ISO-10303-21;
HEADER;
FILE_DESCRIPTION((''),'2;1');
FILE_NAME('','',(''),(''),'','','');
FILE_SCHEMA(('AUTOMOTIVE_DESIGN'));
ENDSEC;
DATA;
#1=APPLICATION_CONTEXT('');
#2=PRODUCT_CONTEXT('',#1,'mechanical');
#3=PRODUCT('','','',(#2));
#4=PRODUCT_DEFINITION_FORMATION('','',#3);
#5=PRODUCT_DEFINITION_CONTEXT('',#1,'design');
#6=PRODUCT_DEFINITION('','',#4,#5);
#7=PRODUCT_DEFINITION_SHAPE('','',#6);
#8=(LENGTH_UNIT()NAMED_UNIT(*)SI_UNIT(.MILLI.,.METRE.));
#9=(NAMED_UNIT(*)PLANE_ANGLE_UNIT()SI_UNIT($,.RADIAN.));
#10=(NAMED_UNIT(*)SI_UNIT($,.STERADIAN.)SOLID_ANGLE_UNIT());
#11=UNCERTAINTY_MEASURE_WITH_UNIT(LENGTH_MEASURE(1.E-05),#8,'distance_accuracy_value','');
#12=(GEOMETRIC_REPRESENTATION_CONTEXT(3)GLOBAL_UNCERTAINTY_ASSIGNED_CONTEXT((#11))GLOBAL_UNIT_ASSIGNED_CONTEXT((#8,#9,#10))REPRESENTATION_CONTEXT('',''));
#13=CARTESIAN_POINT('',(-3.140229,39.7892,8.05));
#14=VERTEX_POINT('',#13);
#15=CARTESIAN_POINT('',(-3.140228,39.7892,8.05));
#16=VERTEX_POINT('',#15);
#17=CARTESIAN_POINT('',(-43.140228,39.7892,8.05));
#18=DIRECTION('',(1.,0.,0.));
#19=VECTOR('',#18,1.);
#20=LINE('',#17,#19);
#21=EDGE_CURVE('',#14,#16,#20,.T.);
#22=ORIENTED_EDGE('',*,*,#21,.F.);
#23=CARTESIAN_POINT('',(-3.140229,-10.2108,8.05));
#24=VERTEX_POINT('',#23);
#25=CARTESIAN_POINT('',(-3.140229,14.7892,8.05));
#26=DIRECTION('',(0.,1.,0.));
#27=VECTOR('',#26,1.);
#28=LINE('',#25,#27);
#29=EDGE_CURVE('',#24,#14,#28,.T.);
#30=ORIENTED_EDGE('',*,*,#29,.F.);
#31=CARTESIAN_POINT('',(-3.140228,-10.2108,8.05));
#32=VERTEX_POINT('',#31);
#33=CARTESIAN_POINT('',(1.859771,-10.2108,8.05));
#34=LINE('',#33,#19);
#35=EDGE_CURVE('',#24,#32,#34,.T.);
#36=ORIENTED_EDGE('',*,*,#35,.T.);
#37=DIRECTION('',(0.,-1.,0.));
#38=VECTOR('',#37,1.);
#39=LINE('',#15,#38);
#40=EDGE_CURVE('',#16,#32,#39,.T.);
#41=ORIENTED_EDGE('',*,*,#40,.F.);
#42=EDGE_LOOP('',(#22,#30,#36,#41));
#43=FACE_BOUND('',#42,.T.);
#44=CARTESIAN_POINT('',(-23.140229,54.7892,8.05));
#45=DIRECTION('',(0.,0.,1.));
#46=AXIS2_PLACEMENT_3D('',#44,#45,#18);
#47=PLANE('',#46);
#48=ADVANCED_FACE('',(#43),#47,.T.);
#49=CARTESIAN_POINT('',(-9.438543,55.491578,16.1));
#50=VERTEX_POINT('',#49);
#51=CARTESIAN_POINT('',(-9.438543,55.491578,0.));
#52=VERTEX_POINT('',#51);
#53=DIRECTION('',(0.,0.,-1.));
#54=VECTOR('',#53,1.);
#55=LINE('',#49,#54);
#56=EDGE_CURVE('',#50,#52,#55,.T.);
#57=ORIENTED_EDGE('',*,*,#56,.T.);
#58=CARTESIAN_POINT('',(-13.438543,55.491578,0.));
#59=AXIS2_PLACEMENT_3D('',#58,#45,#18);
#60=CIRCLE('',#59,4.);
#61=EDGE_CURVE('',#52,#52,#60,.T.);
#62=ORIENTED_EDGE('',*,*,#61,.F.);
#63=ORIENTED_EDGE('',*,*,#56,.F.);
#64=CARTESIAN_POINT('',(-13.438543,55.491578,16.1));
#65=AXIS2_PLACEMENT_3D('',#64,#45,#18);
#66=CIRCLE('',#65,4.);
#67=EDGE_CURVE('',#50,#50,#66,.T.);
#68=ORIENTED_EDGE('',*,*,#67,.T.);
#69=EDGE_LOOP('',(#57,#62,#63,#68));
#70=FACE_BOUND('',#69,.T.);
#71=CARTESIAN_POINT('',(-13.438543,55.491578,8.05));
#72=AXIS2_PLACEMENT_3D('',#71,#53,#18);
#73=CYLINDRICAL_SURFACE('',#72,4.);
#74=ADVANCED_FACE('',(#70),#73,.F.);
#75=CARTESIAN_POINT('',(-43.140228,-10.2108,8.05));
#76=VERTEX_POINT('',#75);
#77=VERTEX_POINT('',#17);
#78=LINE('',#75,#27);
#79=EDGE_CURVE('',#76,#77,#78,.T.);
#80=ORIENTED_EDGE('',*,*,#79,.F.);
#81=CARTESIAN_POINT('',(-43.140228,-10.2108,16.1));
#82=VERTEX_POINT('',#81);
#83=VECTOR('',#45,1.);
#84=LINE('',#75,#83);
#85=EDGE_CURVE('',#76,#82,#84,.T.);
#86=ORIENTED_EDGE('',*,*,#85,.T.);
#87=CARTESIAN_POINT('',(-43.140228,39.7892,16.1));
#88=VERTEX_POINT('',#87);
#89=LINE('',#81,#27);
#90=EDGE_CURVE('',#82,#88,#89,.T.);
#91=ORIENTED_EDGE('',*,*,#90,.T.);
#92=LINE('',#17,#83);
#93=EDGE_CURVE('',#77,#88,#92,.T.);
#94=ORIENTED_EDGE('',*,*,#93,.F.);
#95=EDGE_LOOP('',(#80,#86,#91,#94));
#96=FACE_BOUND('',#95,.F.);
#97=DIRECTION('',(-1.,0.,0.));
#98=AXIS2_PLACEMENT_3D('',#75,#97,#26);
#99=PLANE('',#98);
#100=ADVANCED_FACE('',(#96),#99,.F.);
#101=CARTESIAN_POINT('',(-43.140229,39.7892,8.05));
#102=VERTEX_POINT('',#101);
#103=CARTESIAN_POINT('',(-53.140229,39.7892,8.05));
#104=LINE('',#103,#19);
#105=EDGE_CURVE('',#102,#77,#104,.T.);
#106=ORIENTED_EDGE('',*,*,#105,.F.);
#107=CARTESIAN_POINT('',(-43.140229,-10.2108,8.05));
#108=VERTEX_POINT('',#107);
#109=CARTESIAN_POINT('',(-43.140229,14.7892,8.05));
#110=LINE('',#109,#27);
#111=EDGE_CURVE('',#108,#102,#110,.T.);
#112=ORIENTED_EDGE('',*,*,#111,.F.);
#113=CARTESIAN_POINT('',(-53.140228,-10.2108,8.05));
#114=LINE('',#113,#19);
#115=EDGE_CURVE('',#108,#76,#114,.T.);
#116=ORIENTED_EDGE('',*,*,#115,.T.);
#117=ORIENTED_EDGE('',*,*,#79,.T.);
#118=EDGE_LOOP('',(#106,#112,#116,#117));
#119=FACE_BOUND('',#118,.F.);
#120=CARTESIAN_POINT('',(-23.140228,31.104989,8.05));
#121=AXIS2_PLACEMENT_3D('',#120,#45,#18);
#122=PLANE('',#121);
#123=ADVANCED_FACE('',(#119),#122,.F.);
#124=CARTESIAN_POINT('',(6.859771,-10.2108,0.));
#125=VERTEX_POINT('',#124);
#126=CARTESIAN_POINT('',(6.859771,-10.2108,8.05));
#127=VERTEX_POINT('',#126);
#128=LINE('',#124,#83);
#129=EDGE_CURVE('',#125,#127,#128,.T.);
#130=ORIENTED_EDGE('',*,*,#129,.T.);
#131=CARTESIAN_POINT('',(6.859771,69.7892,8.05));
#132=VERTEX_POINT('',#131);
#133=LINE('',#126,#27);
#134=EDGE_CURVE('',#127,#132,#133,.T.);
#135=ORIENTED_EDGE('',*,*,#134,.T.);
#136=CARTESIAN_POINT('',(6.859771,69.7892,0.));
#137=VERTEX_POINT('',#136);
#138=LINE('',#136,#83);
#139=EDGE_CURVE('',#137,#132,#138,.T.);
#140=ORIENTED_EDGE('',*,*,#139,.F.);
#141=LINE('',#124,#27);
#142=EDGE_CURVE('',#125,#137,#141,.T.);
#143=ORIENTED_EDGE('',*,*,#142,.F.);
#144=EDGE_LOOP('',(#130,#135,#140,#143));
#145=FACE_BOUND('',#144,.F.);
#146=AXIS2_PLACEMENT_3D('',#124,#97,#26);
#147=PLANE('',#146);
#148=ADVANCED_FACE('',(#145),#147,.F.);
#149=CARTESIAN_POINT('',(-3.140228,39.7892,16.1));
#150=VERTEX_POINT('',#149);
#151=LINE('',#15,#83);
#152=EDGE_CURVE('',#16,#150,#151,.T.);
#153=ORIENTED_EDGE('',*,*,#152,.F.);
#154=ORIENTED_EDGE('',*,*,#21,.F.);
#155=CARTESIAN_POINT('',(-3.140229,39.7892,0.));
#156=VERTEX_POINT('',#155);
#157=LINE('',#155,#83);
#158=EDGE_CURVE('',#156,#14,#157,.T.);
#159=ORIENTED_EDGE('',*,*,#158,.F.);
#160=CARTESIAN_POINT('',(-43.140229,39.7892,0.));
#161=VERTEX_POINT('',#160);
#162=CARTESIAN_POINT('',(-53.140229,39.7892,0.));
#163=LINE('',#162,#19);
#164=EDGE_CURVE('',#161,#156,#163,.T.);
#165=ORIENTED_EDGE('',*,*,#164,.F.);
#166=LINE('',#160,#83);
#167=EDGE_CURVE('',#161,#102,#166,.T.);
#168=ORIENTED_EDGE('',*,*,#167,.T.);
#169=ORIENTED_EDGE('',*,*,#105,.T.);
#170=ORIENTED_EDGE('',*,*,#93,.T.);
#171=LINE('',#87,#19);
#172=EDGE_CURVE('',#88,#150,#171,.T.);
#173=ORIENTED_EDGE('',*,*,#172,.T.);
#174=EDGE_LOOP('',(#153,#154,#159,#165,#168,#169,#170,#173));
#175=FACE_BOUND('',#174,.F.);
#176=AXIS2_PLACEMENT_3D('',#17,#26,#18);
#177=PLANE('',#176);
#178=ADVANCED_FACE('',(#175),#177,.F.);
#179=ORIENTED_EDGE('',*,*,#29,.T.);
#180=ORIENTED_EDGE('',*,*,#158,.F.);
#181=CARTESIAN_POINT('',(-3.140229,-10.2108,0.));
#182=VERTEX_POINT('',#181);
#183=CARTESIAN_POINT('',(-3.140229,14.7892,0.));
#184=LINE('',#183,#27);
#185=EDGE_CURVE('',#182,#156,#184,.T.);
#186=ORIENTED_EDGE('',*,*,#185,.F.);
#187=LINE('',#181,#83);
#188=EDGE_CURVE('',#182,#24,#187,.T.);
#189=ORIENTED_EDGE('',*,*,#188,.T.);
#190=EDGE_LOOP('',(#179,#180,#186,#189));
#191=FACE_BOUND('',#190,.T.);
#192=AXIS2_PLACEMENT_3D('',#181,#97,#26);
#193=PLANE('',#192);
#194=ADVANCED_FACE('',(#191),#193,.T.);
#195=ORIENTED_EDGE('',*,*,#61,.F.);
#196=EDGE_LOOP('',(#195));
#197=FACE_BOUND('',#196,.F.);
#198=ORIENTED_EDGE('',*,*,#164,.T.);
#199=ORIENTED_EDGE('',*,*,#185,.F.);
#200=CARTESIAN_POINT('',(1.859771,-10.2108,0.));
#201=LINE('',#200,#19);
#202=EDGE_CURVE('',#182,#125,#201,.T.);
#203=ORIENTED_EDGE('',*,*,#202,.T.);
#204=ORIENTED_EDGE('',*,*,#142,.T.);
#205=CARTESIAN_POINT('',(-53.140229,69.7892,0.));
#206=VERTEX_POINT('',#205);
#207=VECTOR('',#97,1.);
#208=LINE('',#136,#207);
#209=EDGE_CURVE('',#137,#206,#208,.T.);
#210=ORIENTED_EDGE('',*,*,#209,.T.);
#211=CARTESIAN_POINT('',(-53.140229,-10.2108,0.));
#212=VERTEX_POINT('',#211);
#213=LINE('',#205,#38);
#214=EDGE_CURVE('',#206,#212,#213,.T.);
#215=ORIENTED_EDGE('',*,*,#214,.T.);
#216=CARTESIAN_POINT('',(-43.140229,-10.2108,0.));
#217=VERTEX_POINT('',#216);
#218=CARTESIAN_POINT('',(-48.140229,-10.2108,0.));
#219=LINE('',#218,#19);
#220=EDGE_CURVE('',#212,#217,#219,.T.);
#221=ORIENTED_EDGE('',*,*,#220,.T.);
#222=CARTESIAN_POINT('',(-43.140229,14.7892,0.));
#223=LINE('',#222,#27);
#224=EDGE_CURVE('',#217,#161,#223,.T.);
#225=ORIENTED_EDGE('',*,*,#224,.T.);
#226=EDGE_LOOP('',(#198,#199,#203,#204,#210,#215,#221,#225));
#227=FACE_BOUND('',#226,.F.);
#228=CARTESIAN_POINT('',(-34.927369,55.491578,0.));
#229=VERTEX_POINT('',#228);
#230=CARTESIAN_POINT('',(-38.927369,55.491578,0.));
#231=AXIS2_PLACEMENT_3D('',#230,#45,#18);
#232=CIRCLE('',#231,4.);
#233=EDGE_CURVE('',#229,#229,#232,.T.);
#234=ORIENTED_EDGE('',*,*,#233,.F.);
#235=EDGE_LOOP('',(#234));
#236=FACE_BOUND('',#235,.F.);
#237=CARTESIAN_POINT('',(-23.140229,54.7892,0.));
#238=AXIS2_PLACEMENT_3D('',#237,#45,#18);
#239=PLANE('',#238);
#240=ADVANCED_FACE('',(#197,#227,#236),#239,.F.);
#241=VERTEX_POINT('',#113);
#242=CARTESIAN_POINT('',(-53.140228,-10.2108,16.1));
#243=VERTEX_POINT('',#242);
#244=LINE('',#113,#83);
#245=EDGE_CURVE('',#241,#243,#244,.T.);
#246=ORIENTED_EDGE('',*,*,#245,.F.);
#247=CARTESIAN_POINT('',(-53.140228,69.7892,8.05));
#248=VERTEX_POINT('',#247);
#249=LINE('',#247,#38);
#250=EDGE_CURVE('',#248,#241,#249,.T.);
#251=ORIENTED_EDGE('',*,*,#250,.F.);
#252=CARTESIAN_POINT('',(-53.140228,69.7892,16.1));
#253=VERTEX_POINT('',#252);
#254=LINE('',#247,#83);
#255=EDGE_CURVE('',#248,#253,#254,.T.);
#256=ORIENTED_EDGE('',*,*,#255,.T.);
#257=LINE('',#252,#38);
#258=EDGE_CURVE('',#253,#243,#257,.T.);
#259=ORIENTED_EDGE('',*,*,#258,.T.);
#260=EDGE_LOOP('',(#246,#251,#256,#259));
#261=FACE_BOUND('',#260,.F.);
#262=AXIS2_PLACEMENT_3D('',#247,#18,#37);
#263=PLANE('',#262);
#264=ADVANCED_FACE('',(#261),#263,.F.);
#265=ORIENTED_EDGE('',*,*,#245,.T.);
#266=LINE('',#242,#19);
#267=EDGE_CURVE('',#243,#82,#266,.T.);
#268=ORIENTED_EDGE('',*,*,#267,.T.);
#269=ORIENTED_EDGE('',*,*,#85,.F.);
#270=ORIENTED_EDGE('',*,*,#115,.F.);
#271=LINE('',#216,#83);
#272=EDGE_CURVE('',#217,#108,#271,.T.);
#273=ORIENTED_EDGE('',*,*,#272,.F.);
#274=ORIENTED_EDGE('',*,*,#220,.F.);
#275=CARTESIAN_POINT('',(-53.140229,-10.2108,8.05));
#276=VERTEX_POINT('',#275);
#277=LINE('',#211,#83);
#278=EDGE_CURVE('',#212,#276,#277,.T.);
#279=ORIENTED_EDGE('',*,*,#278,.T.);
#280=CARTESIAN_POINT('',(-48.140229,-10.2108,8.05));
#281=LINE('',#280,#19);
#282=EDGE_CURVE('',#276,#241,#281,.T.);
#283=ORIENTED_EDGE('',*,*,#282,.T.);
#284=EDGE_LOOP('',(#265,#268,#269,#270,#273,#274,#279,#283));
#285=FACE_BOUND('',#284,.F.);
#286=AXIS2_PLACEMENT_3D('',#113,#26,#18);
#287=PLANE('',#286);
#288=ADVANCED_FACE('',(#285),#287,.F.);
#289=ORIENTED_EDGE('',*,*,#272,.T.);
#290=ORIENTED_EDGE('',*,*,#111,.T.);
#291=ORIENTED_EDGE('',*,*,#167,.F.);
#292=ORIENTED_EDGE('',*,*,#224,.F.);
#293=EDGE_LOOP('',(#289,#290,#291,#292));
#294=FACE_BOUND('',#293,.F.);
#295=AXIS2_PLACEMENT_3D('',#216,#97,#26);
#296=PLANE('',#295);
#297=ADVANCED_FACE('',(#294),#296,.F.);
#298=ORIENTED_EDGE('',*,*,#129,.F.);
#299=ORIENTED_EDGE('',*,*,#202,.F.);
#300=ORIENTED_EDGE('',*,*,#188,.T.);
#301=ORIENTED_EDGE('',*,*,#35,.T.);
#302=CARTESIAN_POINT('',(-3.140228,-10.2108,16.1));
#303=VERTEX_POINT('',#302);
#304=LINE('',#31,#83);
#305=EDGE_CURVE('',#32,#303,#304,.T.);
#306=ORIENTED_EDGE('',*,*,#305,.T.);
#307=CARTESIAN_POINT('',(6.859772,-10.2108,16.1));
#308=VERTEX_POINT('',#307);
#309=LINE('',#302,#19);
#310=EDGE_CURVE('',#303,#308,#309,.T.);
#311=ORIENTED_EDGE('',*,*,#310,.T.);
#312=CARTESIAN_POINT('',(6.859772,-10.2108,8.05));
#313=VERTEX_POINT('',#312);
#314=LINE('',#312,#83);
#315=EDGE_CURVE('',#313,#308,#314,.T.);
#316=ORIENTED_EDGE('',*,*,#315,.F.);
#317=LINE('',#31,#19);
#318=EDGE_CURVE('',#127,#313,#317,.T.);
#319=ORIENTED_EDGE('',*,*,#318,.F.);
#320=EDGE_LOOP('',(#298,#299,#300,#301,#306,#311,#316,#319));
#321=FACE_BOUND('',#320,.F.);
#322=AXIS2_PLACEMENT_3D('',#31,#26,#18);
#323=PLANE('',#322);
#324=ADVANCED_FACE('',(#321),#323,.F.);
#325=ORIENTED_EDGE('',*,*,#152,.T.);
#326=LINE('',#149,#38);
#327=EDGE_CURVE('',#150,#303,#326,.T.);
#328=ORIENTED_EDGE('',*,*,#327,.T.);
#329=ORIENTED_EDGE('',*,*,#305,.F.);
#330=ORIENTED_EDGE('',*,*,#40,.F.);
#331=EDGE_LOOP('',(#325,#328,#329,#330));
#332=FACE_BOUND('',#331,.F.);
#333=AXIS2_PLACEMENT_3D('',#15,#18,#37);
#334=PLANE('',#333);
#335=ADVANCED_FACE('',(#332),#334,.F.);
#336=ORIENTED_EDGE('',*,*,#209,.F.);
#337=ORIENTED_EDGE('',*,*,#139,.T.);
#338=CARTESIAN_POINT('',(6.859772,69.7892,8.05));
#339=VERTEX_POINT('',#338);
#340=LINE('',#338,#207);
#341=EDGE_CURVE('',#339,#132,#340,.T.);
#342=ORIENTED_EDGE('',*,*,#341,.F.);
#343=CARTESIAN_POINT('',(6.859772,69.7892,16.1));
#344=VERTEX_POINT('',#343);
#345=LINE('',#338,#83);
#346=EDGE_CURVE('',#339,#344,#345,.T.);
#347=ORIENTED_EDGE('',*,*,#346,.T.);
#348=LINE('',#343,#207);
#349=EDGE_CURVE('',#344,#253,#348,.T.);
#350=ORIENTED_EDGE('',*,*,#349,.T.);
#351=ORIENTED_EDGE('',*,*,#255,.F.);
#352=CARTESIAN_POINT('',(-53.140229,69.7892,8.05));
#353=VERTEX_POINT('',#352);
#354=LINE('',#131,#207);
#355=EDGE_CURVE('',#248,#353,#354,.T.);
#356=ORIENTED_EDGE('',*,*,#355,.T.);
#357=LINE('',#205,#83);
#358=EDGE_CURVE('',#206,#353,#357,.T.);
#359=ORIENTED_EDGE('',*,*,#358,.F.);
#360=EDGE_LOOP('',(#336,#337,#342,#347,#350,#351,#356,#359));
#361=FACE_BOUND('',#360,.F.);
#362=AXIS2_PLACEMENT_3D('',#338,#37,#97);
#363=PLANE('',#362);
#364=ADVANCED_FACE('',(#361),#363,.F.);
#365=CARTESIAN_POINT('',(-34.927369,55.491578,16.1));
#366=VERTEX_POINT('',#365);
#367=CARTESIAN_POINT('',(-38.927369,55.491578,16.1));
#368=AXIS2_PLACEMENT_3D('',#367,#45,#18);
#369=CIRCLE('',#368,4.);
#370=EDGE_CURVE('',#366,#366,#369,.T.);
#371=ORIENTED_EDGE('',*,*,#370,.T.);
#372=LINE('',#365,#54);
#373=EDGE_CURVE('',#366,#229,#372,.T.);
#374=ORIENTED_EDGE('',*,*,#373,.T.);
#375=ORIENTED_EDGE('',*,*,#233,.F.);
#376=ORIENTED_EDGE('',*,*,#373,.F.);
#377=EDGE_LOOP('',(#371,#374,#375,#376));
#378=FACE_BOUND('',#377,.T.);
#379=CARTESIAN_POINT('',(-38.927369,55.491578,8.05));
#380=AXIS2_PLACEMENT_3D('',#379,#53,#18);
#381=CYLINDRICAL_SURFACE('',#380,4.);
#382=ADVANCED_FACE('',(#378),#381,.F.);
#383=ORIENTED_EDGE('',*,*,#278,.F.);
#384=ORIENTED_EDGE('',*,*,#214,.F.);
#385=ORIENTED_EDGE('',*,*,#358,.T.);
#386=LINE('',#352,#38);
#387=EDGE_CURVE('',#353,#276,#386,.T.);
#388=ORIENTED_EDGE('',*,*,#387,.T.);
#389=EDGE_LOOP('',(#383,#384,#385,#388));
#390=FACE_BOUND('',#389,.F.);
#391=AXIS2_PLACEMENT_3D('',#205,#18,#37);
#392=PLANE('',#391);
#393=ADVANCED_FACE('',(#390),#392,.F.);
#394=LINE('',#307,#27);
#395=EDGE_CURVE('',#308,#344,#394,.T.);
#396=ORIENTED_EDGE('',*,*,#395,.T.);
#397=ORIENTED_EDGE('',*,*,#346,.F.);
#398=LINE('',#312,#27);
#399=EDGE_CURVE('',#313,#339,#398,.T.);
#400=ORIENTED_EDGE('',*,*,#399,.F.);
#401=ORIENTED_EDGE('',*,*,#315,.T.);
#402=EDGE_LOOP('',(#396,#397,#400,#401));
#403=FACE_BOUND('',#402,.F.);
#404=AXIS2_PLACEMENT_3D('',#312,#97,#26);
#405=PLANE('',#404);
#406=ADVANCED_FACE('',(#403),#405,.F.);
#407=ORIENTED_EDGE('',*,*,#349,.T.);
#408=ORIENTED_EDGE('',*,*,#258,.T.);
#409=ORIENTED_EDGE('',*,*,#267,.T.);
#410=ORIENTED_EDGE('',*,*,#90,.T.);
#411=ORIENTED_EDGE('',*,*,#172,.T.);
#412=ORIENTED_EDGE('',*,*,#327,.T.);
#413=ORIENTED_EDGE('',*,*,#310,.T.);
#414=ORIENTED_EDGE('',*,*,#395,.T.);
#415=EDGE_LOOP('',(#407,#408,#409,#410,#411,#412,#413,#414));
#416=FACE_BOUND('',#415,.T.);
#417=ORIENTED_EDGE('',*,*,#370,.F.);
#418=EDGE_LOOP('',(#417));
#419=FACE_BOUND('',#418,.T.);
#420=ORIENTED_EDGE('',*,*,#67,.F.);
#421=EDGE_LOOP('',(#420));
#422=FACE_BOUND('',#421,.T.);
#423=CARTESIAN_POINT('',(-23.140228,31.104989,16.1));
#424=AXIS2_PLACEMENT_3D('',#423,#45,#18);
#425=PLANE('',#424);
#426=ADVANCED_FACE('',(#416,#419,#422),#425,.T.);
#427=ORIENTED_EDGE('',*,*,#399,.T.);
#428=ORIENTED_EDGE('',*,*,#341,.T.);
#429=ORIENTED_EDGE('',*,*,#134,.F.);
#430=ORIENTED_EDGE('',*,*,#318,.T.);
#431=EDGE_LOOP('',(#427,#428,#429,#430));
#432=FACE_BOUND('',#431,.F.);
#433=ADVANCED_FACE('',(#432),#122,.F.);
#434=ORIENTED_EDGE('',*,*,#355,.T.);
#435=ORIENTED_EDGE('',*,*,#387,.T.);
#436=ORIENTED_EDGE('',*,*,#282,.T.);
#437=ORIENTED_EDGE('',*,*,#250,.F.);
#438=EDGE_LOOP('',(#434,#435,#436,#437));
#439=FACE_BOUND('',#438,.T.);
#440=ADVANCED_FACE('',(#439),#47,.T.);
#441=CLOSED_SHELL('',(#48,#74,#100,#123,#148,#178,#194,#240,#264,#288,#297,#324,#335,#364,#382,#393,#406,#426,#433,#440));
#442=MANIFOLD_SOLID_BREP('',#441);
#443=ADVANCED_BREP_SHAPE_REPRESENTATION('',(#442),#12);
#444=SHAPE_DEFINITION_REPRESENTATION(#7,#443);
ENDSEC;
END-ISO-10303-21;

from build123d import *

# Parameters (mm, degrees)
F0_R      = 4
F0_W      = 10
F0_H      = 50
F1_DEPTH  = 8.05
F1_FACE_R = 4
F2_DEPTH  = 8.05


with BuildPart() as f1:
    # F0 (on Top) → F1 (new body)
    with BuildSketch(Plane.XY):
        Polygon((6.859771, 69.7892), (-53.140229, 69.7892), (-53.140229, 39.7892), (-43.140229, 39.7892), (-3.140229, 39.7892), (6.859771, 39.7892), align=None)
        with Locations((-38.927369, 55.491578)):
            Circle(F0_R, mode=Mode.SUBTRACT)
        with Locations((-13.438543, 55.491578)):
            Circle(F0_R, mode=Mode.SUBTRACT)
        with Locations((-48.140229, 14.7892)):
            Rectangle(F0_W, F0_H)
        with Locations((1.859771, 14.7892)):
            Rectangle(F0_W, F0_H)
    extrude(amount=F1_DEPTH)

    # F1_face (on face) → F2 (join)
    with BuildSketch(Plane(origin=(-23.026914, 39.945314, 8.05), x_dir=(1, 0, 0), z_dir=(0, 0, 1))):
        Polygon((29.886686, 29.843886), (-30.113314, 29.843886), (-30.113314, -50.156114), (-20.113314, -50.156114), (-20.113314, -0.156114), (19.886686, -0.156114), (19.886686, -50.156114), (29.886686, -50.156114), align=None)
        with Locations((-15.900455, 15.546264)):
            Circle(F1_FACE_R, mode=Mode.SUBTRACT)
        with Locations((9.588371, 15.546264)):
            Circle(F1_FACE_R, mode=Mode.SUBTRACT)
    extrude(amount=F2_DEPTH)


solid = f1.part
